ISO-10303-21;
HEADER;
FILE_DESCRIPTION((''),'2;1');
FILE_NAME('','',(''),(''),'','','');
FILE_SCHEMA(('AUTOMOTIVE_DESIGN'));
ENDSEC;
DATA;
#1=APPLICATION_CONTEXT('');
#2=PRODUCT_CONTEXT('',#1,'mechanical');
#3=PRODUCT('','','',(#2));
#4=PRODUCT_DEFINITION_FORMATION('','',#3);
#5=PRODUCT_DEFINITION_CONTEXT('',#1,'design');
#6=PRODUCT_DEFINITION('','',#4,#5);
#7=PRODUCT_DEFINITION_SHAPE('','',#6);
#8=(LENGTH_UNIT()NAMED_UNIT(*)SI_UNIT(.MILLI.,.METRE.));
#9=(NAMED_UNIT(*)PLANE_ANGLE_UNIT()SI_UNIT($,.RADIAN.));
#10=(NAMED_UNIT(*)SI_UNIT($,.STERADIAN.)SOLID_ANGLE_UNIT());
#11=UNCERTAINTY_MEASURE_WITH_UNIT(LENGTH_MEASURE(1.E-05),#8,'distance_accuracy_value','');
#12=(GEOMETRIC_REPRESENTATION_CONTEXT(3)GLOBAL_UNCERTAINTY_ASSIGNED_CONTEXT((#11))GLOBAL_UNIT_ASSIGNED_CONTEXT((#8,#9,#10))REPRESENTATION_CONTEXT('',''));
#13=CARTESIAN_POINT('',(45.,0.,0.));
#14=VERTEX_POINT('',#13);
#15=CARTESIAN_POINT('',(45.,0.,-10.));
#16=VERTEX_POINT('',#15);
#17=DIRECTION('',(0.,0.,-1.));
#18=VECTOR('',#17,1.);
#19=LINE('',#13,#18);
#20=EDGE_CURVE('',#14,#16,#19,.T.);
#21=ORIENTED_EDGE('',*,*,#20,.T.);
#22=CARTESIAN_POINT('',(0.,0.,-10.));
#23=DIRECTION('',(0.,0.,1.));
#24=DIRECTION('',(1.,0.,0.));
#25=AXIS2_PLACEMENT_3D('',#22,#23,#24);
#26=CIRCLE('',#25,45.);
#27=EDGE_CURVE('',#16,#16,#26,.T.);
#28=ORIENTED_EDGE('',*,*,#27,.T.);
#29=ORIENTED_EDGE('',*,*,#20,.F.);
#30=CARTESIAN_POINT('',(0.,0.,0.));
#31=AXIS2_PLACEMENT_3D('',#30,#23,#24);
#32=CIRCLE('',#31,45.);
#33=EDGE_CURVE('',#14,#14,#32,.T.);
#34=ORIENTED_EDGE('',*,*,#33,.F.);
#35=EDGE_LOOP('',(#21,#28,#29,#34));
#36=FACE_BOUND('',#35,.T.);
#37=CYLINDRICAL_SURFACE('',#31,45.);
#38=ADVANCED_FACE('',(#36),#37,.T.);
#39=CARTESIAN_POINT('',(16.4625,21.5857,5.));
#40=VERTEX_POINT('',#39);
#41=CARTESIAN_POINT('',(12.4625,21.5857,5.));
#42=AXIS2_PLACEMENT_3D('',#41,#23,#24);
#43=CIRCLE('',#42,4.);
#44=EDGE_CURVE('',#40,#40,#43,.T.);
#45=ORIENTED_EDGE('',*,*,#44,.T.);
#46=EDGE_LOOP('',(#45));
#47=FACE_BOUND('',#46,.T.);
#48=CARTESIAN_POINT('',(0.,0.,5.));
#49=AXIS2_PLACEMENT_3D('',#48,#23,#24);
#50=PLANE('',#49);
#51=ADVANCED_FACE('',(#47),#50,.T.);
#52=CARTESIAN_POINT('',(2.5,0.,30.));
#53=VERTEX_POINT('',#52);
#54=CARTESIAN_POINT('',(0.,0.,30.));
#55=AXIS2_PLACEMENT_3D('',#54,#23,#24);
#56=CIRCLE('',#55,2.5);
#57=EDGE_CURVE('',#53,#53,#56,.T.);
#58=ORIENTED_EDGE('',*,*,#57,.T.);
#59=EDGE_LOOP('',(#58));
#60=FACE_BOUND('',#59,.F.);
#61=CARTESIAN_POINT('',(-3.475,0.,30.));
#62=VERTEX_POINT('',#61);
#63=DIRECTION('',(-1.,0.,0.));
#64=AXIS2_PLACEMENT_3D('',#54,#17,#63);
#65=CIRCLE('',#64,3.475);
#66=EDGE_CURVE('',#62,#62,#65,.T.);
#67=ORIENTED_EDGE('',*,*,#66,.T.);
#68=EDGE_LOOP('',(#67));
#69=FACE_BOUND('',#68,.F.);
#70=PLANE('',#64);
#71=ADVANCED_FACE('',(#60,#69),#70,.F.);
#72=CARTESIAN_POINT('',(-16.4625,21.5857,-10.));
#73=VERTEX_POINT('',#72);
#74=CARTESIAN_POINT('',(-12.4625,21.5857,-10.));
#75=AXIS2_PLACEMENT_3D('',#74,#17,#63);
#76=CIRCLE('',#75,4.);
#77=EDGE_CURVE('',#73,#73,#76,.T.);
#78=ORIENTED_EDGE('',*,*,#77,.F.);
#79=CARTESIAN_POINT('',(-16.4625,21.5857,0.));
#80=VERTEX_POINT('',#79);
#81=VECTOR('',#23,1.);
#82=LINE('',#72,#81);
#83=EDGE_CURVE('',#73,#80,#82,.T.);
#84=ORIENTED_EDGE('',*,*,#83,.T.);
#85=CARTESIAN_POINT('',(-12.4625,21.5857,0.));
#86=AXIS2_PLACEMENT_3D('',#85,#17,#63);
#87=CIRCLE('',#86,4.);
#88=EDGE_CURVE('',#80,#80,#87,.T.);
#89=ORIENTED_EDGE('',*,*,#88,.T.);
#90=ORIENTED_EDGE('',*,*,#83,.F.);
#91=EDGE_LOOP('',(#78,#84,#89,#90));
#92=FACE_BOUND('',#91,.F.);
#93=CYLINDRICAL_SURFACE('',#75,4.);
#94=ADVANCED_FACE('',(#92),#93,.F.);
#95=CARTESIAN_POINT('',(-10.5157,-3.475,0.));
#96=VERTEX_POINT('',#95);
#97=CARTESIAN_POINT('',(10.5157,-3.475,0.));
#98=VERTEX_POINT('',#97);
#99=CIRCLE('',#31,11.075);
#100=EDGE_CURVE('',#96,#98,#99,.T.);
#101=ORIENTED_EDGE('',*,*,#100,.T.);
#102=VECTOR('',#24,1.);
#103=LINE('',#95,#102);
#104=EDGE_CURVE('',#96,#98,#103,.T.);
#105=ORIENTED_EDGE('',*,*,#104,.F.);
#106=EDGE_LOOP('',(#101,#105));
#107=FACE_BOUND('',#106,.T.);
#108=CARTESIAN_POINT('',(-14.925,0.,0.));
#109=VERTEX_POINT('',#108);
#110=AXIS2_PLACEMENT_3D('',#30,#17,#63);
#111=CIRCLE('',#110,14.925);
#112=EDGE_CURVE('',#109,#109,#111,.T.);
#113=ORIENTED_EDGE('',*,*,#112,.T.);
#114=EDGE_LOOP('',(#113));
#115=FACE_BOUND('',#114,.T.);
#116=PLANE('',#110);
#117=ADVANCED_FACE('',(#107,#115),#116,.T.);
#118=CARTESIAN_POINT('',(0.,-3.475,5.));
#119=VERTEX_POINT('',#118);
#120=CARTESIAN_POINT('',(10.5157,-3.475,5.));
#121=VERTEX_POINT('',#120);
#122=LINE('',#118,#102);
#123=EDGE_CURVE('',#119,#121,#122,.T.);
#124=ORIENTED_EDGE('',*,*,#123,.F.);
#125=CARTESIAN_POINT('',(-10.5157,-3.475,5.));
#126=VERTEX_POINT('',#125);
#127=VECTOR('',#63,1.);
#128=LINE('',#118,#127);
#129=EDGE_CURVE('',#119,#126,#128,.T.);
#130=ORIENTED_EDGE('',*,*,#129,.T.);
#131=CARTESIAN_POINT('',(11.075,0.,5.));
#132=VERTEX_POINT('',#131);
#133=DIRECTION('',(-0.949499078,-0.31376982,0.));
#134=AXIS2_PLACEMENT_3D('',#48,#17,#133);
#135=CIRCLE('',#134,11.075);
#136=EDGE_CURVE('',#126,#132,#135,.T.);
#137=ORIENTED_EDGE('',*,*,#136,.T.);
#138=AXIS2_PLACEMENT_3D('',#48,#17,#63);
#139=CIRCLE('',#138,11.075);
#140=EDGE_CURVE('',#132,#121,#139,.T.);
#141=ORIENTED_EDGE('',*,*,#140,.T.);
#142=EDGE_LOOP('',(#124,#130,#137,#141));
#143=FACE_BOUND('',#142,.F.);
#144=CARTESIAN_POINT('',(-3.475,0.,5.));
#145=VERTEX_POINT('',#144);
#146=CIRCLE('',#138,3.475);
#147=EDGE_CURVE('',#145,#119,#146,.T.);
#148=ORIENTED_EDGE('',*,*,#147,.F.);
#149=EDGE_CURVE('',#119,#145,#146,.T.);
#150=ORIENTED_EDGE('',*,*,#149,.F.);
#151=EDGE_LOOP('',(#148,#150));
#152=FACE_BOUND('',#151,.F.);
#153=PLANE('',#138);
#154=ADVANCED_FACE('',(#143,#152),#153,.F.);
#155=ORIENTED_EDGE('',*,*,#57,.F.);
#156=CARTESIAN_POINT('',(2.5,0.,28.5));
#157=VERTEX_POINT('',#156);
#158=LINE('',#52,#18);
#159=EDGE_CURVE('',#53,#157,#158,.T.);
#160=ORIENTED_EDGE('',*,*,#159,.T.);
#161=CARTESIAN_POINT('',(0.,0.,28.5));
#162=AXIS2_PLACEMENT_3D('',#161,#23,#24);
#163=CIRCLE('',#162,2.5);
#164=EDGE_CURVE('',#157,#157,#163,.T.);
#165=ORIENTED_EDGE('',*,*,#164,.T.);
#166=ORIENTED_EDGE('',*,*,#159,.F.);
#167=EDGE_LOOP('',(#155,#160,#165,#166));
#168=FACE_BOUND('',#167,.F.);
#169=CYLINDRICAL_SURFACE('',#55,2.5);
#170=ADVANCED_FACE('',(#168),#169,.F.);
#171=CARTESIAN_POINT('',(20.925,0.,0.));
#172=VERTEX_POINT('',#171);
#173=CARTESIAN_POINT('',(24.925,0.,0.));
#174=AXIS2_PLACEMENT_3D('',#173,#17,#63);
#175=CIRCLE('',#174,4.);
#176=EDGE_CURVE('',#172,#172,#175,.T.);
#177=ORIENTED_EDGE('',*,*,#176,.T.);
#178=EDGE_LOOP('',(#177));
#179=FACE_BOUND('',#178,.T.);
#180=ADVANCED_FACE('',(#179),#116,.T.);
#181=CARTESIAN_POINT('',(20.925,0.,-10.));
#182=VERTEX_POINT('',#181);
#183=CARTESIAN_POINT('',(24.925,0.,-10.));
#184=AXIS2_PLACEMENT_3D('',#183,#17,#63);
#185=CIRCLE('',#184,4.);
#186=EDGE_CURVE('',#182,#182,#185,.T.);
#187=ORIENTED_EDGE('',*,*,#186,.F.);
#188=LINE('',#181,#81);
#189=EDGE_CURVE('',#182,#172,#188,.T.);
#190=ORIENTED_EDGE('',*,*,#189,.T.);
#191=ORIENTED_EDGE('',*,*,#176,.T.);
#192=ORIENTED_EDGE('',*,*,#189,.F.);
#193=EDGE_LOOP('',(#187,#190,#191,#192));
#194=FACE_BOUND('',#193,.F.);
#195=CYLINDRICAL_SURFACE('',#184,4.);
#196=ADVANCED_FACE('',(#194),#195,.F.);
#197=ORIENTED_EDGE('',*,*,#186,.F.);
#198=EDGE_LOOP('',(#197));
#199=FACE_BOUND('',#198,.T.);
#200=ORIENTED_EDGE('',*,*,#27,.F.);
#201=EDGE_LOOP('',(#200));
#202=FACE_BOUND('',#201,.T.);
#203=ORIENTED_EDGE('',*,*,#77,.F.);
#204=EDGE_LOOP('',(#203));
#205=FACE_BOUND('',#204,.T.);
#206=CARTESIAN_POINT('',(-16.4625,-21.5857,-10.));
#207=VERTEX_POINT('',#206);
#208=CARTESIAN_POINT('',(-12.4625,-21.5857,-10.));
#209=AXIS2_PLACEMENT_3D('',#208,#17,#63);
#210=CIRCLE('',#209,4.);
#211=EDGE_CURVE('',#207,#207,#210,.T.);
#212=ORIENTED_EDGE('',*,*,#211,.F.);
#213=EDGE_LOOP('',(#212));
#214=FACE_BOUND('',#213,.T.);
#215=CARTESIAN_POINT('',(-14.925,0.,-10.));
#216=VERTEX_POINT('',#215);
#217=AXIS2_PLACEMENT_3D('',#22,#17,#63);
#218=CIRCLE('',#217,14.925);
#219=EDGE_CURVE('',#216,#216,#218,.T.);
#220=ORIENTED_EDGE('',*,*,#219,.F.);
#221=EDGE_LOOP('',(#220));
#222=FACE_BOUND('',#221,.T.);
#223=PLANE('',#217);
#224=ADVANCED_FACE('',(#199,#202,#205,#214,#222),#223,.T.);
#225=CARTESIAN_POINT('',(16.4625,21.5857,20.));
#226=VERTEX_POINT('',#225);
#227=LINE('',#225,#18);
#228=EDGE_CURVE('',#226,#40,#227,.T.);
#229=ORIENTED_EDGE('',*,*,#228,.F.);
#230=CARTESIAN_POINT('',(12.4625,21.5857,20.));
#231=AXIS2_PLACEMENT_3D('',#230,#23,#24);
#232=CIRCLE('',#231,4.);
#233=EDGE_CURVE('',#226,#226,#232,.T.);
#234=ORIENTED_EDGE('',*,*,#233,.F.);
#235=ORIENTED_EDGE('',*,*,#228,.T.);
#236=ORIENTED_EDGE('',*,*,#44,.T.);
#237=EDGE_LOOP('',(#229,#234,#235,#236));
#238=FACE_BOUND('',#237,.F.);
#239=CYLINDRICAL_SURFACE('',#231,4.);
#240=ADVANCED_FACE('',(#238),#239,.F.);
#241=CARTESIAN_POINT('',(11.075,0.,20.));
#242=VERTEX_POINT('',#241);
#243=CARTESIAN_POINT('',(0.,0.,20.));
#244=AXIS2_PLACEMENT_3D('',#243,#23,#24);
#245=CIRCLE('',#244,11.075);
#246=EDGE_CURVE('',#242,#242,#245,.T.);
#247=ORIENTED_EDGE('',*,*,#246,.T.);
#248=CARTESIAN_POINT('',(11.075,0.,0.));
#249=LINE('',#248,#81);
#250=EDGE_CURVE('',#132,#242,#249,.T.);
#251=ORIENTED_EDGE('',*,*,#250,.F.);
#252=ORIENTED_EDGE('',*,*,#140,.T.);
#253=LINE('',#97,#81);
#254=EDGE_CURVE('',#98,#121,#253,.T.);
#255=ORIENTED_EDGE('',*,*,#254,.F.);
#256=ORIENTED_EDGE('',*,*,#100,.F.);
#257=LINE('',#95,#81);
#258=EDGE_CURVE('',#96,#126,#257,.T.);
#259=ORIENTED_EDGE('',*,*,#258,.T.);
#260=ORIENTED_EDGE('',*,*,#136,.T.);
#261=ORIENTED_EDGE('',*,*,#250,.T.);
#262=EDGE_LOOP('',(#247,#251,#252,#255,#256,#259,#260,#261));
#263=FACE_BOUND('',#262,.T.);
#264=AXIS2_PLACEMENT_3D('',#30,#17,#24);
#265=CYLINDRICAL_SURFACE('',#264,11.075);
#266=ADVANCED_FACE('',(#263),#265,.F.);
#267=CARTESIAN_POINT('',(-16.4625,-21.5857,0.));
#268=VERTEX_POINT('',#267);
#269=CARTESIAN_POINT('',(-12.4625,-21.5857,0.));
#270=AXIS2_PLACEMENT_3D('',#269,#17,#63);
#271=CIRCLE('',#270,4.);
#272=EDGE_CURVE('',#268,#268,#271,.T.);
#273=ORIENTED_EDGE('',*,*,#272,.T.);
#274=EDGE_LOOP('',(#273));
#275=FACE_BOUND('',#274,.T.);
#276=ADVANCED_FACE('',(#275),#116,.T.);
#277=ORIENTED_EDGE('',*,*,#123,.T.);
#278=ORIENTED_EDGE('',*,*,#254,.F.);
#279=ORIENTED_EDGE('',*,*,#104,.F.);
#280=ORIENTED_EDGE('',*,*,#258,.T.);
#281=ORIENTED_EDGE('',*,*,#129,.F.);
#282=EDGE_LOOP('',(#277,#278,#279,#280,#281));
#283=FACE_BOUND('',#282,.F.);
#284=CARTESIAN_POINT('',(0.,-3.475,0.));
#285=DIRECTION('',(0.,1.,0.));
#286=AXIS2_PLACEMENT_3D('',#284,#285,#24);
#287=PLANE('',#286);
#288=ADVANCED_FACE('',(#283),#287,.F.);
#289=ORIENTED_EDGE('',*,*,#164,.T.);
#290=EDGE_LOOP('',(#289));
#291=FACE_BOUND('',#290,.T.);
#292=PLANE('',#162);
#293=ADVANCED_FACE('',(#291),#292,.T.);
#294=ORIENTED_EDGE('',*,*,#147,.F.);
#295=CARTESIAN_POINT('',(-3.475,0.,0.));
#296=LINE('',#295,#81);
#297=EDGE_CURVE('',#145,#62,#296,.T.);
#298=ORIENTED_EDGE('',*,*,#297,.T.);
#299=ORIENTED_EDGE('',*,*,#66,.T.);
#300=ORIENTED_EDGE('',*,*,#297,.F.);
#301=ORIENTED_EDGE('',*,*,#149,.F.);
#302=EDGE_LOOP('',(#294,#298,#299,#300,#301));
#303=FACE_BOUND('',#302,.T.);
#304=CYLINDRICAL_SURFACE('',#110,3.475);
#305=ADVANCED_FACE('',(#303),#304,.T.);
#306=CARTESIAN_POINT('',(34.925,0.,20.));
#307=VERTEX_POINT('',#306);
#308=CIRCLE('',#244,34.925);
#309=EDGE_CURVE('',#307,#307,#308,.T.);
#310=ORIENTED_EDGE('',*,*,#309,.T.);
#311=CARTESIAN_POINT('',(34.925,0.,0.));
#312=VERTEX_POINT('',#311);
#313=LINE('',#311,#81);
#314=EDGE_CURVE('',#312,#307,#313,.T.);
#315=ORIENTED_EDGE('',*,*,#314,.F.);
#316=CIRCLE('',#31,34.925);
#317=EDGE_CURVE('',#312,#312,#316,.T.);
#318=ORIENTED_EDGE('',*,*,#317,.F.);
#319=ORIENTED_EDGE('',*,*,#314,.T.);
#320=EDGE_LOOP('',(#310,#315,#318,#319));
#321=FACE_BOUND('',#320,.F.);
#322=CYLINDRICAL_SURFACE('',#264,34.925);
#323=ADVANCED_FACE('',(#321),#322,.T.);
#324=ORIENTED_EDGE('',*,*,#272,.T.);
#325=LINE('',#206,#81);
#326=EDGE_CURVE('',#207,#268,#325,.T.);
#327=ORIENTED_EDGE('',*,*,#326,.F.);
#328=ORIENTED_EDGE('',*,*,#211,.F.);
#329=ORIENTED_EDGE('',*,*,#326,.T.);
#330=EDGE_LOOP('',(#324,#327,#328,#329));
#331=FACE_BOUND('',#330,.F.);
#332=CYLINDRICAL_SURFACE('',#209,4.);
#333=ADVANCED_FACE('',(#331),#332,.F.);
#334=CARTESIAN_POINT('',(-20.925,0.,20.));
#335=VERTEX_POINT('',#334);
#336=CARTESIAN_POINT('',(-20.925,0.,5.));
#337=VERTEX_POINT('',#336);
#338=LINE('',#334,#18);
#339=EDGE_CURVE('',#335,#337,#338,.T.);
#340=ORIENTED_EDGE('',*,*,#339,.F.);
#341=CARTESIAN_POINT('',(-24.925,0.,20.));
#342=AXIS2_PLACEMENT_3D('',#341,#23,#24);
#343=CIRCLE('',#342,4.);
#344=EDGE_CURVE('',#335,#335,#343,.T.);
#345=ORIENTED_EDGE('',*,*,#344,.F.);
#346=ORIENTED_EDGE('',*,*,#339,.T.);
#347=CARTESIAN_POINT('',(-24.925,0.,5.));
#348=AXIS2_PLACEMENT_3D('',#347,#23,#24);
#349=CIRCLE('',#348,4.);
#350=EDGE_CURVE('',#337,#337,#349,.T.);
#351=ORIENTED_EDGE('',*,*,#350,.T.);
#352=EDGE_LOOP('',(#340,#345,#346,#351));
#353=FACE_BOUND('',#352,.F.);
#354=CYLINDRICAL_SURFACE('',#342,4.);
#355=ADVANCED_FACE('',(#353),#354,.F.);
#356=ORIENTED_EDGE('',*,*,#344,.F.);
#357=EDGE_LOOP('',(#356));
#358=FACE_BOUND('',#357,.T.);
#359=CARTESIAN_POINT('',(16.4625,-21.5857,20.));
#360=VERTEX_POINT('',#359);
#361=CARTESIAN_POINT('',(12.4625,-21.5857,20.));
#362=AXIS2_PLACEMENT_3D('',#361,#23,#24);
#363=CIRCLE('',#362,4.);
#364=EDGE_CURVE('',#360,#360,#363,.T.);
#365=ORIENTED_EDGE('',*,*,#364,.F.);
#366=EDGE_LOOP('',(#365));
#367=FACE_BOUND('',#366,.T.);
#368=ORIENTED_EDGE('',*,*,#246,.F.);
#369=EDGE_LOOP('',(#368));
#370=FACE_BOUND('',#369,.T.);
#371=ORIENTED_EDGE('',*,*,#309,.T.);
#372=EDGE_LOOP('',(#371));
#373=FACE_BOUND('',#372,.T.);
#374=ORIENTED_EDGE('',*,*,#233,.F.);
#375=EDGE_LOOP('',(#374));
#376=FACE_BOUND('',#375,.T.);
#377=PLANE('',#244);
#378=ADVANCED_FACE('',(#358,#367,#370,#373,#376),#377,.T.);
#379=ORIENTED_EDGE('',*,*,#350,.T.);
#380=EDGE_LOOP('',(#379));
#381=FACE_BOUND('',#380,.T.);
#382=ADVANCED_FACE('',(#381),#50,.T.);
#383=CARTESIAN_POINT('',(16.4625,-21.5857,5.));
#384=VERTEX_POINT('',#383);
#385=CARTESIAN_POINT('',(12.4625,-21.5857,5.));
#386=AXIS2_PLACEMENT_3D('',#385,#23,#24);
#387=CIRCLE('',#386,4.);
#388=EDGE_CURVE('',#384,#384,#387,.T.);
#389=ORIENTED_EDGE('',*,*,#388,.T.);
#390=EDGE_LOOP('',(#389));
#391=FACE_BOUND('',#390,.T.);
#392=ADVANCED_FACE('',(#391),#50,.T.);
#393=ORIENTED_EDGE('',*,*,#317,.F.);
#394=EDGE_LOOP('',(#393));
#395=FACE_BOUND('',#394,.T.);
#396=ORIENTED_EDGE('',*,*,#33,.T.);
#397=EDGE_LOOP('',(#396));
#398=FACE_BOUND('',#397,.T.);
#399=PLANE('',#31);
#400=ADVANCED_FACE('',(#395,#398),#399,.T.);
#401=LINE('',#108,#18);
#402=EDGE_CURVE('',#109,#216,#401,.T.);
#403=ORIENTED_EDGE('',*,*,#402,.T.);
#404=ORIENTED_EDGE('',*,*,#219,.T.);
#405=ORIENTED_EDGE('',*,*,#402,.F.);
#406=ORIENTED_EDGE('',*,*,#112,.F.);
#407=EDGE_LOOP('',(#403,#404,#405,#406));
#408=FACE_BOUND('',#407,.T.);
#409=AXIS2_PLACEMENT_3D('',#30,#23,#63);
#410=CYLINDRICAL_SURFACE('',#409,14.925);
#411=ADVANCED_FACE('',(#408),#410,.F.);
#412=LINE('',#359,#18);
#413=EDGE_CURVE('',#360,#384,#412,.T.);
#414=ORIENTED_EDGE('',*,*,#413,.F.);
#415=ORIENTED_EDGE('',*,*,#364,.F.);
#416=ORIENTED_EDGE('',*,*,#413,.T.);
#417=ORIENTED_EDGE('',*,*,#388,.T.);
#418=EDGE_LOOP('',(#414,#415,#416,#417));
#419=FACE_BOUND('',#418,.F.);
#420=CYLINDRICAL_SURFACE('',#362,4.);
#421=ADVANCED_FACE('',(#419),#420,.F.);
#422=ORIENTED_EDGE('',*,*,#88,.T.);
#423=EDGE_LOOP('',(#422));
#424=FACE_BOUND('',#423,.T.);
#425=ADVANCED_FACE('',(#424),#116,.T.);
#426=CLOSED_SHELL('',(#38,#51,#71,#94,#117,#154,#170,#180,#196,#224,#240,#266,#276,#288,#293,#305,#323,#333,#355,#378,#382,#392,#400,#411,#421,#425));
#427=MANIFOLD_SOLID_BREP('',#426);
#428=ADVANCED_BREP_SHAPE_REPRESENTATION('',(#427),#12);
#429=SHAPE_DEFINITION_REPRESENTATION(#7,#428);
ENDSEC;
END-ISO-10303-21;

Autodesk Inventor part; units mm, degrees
ref_plane "YZ Plane" through (0, 0, 0) normal (1, 0, 0) x (0, 1, 0)
ref_plane "XZ Plane" through (0, 0, 0) normal (0, 1, 0) x (-1, 0, 0)
ref_plane "XY Plane" through (0, 0, 0) normal (0, 0, 1) x (1, 0, 0)
sketch "Sketch1" plane through (0, 0, 0) normal (0, 0, 1) x (1, 0, 0)
  circle A0 centre (0, 0) radius 45
  circle A1 centre (0, 0) radius 34.925
  circle A2 centre (0, 0) radius 11.075
  dimension "d0" = 90
  dimension "d1" = 69.85
  dimension "d2" = 22.15
extrude "Extrusion1" add sketch "Sketch1" along normal blind 20 contours A1
extrude "Extrusion2" add sketch "Sketch1" against normal blind 10 contours A0
sketch "Sketch2" plane through (0, 0, 20) normal (0, 0, 1) x (1, 0, 0)
  circle A0 centre (12.4625, 21.5857) radius 4
  circle A1 centre (-24.925, 0) radius 4
  circle A2 centre (12.4625, -21.5857) radius 4
  line L0 (-24.925, 0) -> (12.4625, 21.5857) construction
  line L1 (12.4625, 21.5857) -> (12.4625, -21.5857) construction
  line L2 (12.4625, -21.5857) -> (-24.925, 0) construction
  line L3 (12.4625, 21.5857) -> (17.4625, 30.2459) construction
  circle A3 centre (0, 0) radius 34.925 projected
  line L4 (-24.925, 0) -> (-34.925, 0) construction
  line L5 (12.4625, -21.5857) -> (17.4625, -30.2459) construction
  dimension "d7" = 8
  dimension "d8" = 10
extrude "Extrusion3" cut sketch "Sketch2" against normal blind 15 contours A0 | A1 | A2
sketch "Sketch3" plane through (0, 0, 0) normal (0, 0, -1) x (-1, 0, 0)
  circle A0 centre (0, 0) radius 3.475
  circle A1 centre (0, 0) radius 11.075 projected
  line L0 (0, -3.475) -> (-10.5157, -3.475)
  line L1 (0, -3.475) -> (10.5157, -3.475)
  circle A2 centre (0, 0) radius 11.075 projected
  dimension "d11" = 6.95
extrude "Extrusion4" add sketch "Sketch3" against normal blind 5 contours L0 A1 L1 picked at (8.4294, 0.9033)
extrude "Extrusion5" add sketch "Sketch3" against normal blind 30 contours A0
sketch "Sketch4" plane through (0, 0, 30) normal (0, 0, 1) x (1, 0, 0)
  circle A0 centre (0, 0) radius 2.5
  dimension "d16" = 5
extrude "Extrusion6" cut sketch "Sketch4" against normal blind 1.5
sketch "Sketch5" plane through (0, 0, 0) normal (0, 0, -1) x (-1, 0, 0)
  circle A0 centre (0, 0) radius 14.925
  circle A1 centre (0, 0) radius 34.925 projected
  dimension "d19" = 20
extrude "Extrusion7" add sketch "Sketch5" along normal blind 10
sketch "Sketch6" plane through (0, 0, -10) normal (0, 0, -1) x (-1, 0, 0)
  circle A0 centre (12.4625, 21.5857) radius 4
  circle A1 centre (-24.925, 0) radius 4
  circle A2 centre (12.4625, -21.5857) radius 4
  line L0 (12.4625, 21.5857) -> (12.4625, -21.5857) construction
  line L1 (12.4625, -21.5857) -> (12.4625, -6.5031) construction
  line L2 (12.4625, -21.5857) -> (-24.925, 0) construction
  line L3 (-24.925, 0) -> (12.4625, 21.5857) construction
  circle A3 centre (0, 0) radius 14.925 construction
  line L4 (12.4625, -21.5857) -> (7.4625, -12.9254) construction
  circle A4 centre (0, 0) radius 14.925 construction
  line L5 (-24.925, 0) -> (-14.925, 0) construction
  line L6 (12.4625, 21.5857) -> (7.4625, 12.9254) construction
  dimension "d22" = 8
  dimension "d23" = 10
extrude "Extrusion8" cut sketch "Sketch6" against normal blind 10
properties part number "Tractor_Static"
